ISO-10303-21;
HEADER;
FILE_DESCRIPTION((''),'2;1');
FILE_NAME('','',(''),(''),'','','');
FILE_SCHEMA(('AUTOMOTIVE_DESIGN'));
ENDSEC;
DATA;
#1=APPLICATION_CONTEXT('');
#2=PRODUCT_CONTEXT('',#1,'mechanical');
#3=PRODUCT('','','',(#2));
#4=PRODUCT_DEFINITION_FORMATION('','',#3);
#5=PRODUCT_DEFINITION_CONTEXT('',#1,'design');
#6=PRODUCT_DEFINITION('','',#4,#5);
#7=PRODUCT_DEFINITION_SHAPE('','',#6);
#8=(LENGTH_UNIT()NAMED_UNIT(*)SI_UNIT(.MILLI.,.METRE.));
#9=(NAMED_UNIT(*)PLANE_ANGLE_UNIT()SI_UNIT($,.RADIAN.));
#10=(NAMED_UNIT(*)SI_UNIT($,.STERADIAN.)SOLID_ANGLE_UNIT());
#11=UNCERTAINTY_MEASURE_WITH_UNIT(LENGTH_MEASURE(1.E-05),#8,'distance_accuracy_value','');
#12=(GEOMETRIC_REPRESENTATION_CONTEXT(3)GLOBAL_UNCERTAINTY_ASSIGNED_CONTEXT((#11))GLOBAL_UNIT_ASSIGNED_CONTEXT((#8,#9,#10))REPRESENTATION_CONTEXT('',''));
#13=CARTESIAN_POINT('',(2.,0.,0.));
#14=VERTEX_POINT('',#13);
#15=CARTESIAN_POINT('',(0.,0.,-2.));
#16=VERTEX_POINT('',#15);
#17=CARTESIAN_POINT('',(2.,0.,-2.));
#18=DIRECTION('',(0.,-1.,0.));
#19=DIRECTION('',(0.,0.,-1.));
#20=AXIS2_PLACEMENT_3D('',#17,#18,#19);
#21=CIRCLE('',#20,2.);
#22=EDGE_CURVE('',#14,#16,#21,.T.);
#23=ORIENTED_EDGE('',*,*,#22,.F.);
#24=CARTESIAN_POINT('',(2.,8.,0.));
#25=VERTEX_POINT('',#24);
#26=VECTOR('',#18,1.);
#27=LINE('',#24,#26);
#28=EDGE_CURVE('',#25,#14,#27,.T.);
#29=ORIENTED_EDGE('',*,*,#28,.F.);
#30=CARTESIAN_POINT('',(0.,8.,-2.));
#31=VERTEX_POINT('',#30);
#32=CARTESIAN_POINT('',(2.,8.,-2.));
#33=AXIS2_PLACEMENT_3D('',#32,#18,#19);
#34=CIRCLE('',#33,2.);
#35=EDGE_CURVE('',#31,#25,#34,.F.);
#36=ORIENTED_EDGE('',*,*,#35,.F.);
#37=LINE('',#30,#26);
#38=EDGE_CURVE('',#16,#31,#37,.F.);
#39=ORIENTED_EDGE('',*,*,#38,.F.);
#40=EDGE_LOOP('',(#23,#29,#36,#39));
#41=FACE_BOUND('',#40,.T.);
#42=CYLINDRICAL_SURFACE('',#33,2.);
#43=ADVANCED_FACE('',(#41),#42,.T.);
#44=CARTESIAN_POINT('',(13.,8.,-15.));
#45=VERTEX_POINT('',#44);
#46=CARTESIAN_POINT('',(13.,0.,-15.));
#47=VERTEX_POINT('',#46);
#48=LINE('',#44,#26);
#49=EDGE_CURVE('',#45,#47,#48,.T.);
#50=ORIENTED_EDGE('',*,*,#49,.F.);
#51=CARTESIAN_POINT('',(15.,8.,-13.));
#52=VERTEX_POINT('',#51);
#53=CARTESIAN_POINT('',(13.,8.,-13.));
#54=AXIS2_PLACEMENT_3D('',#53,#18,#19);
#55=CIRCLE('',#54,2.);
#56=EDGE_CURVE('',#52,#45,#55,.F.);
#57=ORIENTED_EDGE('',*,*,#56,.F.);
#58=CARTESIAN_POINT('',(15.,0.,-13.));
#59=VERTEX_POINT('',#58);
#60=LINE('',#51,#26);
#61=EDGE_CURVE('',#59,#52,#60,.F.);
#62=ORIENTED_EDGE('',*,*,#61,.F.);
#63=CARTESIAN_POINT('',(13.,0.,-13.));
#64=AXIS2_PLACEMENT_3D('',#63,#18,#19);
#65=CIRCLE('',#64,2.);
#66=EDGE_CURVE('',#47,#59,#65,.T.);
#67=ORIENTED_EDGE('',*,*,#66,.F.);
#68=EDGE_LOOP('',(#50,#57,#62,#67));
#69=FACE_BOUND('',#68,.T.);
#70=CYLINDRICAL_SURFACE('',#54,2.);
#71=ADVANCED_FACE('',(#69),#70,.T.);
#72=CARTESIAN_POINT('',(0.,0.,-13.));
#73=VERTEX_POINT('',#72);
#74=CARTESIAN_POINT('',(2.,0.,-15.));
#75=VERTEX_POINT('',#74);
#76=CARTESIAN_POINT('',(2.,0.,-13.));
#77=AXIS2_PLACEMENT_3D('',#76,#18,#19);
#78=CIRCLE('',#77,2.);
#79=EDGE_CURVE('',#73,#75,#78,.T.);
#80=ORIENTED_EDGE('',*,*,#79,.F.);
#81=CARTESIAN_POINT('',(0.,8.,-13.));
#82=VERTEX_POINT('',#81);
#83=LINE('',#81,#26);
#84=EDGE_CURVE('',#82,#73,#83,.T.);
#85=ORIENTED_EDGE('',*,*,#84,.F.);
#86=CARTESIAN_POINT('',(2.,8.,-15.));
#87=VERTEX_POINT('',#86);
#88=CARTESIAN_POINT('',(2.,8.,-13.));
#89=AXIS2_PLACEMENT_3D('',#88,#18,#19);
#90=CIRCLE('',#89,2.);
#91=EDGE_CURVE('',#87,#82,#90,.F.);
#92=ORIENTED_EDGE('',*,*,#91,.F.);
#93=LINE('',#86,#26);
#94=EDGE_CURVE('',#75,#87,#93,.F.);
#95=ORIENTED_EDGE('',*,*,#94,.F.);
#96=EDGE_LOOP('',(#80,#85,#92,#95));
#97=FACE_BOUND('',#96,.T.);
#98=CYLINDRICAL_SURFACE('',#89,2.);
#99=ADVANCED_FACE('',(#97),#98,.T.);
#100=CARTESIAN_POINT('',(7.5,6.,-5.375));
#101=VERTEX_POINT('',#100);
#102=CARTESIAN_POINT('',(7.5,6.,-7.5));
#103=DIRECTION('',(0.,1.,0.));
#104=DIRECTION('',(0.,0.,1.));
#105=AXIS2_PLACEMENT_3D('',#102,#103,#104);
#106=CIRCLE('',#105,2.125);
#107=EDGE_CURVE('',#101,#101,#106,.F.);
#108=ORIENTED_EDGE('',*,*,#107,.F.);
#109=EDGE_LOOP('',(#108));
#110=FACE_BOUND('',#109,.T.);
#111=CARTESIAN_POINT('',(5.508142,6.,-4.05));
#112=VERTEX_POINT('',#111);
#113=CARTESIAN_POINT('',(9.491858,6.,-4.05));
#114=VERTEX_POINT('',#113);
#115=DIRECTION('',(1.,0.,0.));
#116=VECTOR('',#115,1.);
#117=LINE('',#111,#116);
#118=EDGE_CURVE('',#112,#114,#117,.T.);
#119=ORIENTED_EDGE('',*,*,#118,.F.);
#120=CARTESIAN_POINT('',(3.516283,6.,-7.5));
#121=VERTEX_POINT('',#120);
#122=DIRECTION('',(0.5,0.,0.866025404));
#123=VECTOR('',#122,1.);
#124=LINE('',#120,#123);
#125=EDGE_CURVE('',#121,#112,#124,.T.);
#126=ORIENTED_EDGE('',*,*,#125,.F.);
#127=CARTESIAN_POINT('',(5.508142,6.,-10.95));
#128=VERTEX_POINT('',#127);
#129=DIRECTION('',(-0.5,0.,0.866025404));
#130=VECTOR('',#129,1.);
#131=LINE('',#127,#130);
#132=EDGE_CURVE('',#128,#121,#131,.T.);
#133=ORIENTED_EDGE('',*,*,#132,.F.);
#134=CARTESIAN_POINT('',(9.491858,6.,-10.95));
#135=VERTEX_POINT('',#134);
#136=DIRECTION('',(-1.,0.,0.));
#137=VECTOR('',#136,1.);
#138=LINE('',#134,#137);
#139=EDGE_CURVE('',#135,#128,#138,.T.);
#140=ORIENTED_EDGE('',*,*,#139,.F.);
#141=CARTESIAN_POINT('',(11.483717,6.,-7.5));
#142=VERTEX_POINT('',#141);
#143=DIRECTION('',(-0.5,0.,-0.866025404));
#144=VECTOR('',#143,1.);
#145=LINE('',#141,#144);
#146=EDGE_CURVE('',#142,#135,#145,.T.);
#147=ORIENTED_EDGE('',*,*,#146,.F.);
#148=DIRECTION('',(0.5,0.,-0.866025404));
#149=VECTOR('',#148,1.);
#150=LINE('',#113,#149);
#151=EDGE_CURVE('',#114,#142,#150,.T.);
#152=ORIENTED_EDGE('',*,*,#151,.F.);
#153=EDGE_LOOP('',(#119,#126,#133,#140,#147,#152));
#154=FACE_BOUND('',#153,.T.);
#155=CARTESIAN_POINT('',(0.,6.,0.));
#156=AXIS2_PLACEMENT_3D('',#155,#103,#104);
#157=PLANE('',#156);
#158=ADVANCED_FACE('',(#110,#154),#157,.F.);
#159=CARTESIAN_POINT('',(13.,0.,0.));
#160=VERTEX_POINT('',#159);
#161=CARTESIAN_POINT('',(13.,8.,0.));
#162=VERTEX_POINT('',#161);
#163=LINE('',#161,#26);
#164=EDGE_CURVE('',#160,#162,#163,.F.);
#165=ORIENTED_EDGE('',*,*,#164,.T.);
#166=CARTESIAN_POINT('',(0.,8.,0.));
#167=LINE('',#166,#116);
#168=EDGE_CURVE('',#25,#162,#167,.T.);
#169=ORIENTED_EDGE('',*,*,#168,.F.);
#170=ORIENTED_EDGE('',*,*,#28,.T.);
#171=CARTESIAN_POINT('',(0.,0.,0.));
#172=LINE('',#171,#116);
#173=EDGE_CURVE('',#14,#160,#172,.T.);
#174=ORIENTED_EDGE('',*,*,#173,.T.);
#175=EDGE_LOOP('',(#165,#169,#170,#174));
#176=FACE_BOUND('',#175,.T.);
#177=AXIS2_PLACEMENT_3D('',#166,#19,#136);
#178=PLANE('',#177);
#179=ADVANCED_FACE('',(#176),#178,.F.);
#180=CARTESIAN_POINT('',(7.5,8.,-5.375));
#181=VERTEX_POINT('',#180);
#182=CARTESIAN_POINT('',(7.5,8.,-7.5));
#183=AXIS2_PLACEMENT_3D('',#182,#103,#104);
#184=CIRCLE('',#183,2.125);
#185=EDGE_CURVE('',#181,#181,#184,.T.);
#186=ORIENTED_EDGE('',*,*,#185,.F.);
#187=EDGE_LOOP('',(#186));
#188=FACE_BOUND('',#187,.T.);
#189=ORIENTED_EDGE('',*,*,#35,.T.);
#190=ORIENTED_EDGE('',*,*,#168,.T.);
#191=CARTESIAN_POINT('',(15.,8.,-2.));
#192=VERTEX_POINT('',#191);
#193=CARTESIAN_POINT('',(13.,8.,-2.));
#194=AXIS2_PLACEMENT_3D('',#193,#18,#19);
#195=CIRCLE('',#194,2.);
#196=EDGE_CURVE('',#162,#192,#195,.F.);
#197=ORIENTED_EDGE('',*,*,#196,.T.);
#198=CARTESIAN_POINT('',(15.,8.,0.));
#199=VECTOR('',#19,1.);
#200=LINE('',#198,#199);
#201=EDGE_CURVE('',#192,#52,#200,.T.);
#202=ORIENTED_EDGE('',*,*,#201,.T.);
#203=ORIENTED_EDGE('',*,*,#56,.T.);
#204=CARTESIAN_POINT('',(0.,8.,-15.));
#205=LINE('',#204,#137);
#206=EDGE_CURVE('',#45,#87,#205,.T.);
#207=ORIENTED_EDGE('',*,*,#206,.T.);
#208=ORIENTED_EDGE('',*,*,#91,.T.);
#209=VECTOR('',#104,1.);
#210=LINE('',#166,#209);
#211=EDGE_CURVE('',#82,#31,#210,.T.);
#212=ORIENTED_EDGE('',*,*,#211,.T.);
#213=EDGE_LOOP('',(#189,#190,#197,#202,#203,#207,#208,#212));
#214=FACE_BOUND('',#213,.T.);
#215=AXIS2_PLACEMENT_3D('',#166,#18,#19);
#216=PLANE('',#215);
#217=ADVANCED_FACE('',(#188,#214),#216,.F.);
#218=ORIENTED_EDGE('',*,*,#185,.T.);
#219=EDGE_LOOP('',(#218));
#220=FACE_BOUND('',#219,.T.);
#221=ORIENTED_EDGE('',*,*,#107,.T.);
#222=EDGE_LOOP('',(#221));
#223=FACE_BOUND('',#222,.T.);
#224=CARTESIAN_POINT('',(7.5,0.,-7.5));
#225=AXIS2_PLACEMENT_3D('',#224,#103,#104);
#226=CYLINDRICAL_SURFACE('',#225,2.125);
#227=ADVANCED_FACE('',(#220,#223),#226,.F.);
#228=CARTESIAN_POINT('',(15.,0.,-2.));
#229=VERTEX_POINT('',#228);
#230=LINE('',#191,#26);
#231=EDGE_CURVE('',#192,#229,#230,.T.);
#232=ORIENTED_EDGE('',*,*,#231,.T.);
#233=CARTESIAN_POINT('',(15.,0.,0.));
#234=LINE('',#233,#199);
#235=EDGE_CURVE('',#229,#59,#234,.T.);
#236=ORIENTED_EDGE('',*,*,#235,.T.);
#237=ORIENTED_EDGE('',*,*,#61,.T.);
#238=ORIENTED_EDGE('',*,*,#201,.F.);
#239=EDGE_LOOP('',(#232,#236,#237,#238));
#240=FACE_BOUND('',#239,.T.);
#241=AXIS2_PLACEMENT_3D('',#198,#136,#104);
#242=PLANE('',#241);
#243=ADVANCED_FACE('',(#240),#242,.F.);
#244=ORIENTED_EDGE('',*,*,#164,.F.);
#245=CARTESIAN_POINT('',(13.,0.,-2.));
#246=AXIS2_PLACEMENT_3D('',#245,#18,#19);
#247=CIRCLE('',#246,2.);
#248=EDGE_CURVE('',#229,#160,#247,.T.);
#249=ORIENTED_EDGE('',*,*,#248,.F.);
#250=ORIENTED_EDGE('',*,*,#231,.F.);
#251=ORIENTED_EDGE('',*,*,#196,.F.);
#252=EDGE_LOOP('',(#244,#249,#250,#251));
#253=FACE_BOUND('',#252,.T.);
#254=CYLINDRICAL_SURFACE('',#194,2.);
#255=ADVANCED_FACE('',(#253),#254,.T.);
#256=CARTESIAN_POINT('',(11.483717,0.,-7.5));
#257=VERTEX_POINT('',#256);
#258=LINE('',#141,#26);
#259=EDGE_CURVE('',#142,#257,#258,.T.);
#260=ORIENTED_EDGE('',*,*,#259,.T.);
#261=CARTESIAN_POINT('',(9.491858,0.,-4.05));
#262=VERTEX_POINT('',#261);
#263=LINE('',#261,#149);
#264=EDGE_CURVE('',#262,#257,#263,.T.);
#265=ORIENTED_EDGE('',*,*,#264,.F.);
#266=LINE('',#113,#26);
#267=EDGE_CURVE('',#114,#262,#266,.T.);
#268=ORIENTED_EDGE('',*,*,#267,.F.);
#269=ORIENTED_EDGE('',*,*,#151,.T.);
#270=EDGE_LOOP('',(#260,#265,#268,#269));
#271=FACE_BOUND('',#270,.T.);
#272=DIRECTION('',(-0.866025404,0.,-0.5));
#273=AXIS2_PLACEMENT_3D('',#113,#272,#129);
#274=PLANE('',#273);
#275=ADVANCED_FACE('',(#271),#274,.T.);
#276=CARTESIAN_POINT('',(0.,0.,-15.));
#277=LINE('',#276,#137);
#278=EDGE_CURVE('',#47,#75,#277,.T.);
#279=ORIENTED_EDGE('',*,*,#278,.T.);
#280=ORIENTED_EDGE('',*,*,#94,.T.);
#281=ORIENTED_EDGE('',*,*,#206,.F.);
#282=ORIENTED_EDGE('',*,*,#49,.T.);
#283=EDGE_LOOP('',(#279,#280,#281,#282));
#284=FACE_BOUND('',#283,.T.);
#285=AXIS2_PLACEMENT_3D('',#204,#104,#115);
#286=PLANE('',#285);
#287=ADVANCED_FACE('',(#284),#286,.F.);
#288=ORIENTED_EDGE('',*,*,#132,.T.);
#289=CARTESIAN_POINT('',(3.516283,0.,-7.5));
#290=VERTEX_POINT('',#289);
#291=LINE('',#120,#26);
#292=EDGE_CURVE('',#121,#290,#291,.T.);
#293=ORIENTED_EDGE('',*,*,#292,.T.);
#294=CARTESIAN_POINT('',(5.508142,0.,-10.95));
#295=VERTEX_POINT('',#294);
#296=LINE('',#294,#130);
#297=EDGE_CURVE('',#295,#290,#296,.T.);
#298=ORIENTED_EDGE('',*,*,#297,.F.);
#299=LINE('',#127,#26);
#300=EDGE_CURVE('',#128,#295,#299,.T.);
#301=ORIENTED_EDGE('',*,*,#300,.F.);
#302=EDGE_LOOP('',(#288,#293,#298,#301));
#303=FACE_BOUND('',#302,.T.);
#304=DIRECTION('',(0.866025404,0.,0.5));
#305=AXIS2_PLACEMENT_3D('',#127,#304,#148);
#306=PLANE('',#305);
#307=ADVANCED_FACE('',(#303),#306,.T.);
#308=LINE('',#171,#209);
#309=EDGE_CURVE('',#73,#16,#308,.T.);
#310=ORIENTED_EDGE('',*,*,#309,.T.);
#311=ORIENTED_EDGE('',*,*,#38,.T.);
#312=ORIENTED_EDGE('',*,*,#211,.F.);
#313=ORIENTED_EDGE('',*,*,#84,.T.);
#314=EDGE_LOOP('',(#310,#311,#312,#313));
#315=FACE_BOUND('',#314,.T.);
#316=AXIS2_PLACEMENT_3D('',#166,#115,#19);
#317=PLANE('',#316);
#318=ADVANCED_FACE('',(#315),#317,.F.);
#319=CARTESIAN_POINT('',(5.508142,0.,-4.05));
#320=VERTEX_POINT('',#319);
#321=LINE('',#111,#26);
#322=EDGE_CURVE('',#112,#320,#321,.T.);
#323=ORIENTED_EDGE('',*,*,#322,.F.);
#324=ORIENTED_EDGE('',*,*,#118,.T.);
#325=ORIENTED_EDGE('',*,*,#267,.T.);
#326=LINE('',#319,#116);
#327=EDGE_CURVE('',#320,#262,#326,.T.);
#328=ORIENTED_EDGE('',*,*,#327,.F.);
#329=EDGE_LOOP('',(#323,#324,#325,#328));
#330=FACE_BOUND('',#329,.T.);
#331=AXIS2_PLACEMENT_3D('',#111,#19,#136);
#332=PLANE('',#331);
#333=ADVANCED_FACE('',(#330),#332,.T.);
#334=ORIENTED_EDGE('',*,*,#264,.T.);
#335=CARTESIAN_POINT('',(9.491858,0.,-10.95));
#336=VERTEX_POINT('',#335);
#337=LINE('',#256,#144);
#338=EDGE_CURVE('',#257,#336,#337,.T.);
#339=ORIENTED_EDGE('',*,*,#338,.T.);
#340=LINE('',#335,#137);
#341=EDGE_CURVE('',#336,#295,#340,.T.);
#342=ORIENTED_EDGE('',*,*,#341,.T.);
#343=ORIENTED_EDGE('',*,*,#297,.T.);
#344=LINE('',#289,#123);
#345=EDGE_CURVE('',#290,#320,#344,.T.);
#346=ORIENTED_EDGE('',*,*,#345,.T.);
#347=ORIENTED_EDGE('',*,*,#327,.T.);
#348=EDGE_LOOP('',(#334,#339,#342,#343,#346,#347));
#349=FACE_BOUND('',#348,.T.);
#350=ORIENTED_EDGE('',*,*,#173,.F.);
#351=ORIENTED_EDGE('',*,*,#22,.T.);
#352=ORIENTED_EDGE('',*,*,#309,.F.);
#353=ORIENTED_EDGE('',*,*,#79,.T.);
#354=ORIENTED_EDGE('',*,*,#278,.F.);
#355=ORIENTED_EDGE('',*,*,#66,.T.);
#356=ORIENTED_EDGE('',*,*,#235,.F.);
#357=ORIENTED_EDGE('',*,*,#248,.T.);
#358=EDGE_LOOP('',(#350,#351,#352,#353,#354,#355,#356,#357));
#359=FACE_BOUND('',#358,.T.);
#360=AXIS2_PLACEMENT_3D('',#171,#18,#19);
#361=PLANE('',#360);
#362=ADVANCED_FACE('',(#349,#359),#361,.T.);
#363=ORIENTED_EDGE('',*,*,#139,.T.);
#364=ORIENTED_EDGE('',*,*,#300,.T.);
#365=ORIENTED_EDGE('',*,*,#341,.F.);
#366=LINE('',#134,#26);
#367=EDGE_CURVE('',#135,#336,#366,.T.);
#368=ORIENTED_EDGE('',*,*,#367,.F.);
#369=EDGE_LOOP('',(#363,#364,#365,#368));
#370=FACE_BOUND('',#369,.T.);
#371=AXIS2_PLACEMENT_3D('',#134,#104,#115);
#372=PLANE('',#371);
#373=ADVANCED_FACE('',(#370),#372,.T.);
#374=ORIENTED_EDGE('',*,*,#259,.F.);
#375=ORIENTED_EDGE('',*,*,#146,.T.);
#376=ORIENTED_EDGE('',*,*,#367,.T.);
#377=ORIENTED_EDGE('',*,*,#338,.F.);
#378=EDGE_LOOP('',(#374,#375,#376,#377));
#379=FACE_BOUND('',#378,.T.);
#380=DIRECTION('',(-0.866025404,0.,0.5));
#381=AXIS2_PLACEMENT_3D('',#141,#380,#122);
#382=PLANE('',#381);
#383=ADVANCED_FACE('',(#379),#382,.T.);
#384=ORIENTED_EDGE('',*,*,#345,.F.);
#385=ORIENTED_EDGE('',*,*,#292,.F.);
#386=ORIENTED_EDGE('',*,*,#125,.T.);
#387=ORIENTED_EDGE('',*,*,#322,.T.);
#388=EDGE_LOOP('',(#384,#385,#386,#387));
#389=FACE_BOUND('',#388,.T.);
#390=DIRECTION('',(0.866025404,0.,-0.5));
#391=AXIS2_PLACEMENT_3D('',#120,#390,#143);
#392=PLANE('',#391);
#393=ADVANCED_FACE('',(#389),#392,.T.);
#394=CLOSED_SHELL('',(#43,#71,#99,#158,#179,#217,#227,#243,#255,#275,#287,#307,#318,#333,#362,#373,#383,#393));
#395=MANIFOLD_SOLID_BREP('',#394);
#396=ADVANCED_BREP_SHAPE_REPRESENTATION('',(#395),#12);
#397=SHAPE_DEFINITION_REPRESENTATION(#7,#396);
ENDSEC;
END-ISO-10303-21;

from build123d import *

# Parameters (mm, degrees)
SKETCH1_W           = 15
SKETCH1_H           = 15
BOSS_EXTRUDE1_DEPTH = 8
SKETCH3_R           = 2.125
CUT_EXTRUDE3_DEPTH  = 9
CUT_EXTRUDE2_DEPTH  = 6
FILLET1_R           = 2


with BuildPart() as part:
    # Sketch1 → Boss-Extrude1 (new body)
    with BuildSketch(Plane(origin=(0, 0, 0), x_dir=(1, 0, 0), z_dir=(0, 1, 0))):
        with Locations((7.5, 7.5)):
            Rectangle(SKETCH1_W, SKETCH1_H)
    extrude(amount=BOSS_EXTRUDE1_DEPTH)

    # Sketch3 → Cut-Extrude3 (cut, through all)
    with BuildSketch(Plane(origin=(0, 8, 0), x_dir=(1, 0, 0), z_dir=(0, 1, 0))):
        with Locations((7.5, 7.5)):
            Circle(SKETCH3_R)
    extrude(amount=-CUT_EXTRUDE3_DEPTH, mode=Mode.SUBTRACT)

    # Sketch2 → Cut-Extrude2 (cut)
    with BuildSketch(Plane(origin=(0, 0, 0), x_dir=(1, 0, 0), z_dir=(0, 1, 0))):
        Polygon((11.483716857, 7.5), (9.491858429, 10.95), (5.508141571, 10.95), (3.516283143, 7.5), (5.508141571, 4.05), (9.491858429, 4.05), align=None)
    extrude(amount=CUT_EXTRUDE2_DEPTH, mode=Mode.SUBTRACT)

    # Fillet1
    fillet1_edges = [part.edges().sort_by_distance(p)[0] for p in [
        (0, 4, -15),
        (15, 4, -15),
        (15, 4, 0),
        (0, 4, 0),
    ]]
    fillet(fillet1_edges, radius=FILLET1_R)


solid = part.part
